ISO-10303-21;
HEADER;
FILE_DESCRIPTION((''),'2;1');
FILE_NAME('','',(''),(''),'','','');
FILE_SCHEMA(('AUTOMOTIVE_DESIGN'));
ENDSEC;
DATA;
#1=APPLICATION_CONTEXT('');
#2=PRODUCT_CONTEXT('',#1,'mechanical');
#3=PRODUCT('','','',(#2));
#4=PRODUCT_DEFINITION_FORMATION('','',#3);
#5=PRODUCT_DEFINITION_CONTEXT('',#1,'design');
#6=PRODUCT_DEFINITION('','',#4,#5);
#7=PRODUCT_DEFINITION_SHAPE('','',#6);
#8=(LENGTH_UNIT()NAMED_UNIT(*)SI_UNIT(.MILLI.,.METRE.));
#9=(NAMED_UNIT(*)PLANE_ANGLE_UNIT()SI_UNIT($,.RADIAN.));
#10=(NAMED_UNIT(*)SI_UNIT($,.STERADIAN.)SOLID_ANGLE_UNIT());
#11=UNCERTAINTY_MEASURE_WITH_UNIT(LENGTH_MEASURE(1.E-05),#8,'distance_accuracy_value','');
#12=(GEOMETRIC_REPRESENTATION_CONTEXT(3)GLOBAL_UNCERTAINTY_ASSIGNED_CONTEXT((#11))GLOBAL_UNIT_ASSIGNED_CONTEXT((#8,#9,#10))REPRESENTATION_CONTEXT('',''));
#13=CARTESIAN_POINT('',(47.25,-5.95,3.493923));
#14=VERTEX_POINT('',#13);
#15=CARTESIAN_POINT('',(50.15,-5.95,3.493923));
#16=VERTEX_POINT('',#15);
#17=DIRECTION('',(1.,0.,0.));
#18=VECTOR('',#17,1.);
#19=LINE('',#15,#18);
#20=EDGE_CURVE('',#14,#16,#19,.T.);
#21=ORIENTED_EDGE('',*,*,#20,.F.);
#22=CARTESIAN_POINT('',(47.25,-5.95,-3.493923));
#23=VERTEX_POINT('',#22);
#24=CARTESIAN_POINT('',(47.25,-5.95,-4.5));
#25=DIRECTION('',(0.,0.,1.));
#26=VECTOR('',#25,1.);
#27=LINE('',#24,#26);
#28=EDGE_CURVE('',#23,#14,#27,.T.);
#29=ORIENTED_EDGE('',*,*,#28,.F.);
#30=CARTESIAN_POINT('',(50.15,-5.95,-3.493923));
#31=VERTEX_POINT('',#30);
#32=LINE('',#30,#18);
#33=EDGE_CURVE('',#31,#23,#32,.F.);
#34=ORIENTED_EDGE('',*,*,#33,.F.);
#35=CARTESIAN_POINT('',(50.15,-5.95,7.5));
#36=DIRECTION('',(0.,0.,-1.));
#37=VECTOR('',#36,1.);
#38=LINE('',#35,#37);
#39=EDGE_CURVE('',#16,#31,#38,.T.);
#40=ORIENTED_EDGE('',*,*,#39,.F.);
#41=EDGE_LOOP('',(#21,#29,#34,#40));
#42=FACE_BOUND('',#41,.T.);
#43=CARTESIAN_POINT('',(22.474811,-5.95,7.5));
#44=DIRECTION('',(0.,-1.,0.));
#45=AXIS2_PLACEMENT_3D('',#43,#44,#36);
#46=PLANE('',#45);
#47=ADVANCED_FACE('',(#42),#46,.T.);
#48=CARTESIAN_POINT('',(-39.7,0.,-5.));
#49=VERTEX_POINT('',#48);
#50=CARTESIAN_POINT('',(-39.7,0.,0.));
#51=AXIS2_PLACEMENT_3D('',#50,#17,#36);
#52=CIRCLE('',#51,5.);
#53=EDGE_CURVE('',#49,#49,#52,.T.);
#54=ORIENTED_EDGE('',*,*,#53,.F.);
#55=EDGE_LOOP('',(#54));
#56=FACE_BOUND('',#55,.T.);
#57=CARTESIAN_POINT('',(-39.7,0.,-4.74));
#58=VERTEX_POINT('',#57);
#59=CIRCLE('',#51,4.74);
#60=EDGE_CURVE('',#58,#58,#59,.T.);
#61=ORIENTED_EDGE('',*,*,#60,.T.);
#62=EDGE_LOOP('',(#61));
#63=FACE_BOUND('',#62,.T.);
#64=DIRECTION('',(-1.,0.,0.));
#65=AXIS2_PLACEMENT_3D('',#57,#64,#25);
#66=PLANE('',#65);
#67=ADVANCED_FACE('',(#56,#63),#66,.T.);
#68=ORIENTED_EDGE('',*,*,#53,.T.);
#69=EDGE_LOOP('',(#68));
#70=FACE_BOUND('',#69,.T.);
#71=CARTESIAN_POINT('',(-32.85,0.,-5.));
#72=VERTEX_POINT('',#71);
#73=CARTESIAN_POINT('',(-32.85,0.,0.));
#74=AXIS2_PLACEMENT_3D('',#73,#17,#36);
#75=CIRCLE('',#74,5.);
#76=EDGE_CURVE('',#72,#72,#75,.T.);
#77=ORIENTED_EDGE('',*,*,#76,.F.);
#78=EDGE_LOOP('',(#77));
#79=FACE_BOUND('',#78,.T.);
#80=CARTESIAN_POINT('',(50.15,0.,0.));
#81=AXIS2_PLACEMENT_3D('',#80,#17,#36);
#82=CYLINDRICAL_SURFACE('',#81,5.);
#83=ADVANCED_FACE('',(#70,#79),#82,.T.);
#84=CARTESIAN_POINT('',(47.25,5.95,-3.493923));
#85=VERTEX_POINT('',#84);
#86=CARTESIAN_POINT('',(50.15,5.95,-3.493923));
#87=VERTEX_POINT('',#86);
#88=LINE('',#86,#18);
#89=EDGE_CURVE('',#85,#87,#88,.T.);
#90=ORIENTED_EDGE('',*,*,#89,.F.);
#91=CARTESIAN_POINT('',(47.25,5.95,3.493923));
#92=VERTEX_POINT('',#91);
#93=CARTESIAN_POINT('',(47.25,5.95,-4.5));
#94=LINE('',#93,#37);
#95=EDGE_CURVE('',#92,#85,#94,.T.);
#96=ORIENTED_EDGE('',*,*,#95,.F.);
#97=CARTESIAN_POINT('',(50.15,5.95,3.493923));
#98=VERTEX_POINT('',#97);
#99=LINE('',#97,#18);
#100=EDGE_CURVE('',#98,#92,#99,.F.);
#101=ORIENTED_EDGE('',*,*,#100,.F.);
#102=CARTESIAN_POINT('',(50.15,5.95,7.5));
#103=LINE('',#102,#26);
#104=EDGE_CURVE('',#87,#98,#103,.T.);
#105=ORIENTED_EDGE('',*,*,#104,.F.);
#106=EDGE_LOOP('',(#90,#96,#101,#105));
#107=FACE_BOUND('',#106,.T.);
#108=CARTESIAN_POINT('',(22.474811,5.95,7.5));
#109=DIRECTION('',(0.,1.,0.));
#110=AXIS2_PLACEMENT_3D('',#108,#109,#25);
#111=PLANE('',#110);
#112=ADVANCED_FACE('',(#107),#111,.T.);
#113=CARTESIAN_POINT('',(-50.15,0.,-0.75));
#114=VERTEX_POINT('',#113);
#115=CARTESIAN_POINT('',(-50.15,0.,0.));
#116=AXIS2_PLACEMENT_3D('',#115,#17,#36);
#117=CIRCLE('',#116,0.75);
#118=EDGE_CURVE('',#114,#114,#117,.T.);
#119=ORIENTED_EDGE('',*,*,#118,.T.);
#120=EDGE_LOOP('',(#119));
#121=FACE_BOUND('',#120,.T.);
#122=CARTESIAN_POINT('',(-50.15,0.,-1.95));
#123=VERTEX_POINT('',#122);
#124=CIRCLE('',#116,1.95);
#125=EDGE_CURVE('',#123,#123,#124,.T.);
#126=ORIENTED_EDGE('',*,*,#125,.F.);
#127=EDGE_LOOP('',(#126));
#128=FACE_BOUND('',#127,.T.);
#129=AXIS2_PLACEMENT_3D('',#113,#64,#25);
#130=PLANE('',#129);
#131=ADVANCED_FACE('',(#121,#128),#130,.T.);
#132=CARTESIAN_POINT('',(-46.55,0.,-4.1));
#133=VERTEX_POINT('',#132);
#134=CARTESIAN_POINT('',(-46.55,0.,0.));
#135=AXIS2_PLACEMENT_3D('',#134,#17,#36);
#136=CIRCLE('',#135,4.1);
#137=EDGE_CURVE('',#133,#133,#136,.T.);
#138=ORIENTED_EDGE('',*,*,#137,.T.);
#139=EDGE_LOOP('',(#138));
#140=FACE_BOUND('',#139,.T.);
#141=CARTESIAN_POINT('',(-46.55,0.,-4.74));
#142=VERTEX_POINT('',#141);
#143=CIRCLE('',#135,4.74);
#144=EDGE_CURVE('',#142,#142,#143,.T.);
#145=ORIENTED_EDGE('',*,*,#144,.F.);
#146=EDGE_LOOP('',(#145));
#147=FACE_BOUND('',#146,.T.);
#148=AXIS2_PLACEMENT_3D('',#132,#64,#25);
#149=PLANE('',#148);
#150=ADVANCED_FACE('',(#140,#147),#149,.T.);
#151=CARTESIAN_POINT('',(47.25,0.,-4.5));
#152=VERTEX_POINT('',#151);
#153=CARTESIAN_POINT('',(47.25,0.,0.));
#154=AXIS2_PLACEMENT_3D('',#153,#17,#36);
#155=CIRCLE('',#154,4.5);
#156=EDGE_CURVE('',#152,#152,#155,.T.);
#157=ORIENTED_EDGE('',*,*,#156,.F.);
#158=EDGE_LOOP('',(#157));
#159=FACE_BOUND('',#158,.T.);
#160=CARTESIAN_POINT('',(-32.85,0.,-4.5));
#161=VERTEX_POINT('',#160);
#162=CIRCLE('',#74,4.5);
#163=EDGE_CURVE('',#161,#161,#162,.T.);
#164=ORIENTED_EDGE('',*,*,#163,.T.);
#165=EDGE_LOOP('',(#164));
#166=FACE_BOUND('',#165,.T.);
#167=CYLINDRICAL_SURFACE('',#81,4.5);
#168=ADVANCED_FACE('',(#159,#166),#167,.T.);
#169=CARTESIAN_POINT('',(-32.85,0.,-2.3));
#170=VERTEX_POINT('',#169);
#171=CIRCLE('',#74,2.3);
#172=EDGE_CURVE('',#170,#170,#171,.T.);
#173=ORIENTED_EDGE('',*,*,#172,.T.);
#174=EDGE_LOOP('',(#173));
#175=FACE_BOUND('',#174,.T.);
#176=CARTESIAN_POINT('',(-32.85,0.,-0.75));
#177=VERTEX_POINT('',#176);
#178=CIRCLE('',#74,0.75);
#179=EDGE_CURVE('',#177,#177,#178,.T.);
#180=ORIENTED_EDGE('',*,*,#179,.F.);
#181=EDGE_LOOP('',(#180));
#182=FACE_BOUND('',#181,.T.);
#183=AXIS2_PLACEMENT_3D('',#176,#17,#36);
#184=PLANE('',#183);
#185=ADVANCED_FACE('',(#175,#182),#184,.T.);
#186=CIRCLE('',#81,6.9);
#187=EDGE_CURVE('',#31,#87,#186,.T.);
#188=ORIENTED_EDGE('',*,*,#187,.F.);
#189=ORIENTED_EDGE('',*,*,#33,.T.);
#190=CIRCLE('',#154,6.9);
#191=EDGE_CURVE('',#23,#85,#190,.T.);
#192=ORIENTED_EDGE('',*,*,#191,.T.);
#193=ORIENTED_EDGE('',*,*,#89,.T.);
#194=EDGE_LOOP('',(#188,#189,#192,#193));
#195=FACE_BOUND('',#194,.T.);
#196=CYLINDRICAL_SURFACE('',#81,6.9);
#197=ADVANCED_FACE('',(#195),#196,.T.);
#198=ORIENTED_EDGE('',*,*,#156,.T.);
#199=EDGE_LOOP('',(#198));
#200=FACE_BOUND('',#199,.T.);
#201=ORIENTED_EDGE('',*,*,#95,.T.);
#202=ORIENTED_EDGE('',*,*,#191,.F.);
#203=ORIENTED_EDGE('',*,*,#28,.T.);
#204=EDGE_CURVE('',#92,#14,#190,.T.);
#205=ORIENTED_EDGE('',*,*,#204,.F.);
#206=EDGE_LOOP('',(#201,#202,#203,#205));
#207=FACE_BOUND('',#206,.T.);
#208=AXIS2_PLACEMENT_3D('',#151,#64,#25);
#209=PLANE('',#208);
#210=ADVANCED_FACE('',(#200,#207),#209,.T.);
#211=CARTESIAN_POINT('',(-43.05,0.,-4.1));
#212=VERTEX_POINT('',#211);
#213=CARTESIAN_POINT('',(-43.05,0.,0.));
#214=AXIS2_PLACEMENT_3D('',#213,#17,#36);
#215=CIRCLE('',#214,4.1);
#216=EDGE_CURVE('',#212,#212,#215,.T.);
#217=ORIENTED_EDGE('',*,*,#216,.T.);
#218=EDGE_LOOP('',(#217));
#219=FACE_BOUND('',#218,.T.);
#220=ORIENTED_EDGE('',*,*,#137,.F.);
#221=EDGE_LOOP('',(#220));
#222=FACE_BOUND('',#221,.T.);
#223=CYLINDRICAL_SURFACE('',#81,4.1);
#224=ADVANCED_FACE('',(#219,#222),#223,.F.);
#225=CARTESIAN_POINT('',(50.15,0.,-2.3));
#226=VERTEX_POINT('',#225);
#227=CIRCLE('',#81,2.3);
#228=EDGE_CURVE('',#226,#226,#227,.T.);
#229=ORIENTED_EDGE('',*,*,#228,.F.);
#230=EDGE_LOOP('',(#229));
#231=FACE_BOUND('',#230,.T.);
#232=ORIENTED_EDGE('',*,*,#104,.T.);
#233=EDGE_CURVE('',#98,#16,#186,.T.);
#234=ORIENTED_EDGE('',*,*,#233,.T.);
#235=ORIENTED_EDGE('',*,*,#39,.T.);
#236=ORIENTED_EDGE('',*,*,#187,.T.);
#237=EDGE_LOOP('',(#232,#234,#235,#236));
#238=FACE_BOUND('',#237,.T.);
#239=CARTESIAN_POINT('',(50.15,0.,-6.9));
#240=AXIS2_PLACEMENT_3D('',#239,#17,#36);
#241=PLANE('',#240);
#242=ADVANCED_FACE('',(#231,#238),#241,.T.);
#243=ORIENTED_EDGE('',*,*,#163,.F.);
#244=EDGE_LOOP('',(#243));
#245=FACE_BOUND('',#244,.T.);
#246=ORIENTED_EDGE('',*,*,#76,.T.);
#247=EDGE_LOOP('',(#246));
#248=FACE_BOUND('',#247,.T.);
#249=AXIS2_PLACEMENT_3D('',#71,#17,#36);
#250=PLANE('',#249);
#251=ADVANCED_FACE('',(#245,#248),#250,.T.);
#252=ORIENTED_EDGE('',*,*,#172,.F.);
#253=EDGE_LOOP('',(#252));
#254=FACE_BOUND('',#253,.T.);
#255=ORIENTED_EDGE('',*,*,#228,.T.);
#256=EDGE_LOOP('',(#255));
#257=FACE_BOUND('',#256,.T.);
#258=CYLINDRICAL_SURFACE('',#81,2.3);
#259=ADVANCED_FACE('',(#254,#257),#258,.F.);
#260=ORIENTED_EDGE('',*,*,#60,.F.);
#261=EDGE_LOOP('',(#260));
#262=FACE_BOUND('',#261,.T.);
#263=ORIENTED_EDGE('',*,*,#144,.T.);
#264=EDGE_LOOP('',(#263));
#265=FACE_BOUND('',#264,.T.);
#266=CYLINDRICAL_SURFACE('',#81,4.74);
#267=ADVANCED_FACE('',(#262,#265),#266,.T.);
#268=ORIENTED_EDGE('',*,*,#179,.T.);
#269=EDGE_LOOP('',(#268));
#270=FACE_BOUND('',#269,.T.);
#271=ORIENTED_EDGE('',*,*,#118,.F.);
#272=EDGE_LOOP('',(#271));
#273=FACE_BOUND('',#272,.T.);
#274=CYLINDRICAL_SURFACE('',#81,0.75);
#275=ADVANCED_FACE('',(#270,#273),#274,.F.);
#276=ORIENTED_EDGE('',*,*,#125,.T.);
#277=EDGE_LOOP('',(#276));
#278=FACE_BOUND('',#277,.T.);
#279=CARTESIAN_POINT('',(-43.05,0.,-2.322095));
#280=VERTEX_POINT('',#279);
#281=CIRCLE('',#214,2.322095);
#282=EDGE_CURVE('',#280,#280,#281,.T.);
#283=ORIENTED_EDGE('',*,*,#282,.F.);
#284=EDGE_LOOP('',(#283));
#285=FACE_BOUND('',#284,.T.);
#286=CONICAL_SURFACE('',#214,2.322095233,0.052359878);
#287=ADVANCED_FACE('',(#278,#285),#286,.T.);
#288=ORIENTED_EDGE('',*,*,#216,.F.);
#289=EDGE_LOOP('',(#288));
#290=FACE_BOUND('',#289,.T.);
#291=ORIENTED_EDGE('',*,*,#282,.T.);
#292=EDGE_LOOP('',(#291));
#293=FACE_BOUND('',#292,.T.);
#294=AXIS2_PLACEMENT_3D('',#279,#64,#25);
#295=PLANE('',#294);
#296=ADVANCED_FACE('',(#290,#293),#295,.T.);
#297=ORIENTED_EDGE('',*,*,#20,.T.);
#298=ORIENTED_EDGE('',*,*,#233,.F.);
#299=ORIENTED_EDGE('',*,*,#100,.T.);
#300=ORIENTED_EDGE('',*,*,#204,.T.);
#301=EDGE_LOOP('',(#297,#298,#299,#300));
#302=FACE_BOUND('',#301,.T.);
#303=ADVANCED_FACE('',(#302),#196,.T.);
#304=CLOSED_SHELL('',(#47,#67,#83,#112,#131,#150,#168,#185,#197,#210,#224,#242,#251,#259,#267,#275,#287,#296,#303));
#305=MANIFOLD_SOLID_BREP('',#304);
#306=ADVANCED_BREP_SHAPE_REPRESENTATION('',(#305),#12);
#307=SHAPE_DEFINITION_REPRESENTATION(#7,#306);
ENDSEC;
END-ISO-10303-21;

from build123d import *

# Parameters (mm, degrees)
SKETCH2_W          = 19
SKETCH2_H          = 15.9
SKETCH2_W_2        = 15
SKETCH2_H_2        = 11.9
CUT_EXTRUDE1_DEPTH = 2.9


with BuildPart() as part:
    # Sketch1 → Revolve1 (revolve)
    with BuildSketch(Plane(origin=(0, 0, 0), x_dir=(1, 0, 0), z_dir=(0, 1, 0))):
        Polygon((-50.15, 0.75), (-50.15, 1.95), (-43.05, 2.322095233), (-43.05, 4.1), (-46.55, 4.1), (-46.55, 4.74), (-39.7, 4.74), (-39.7, 5), (-32.85, 5), (-32.85, 4.5), (47.25, 4.5), (47.25, 6.9), (50.15, 6.9), (50.15, 2.3), (-32.85, 2.3), (-32.85, 0.75), align=None)
    revolve(axis=Axis((50.15, 0, 0), (-1, 0, 0)))

    # Sketch2 → Cut-Extrude1 (cut)
    with BuildSketch(Plane(origin=(50.15, 0, 0), x_dir=(0, 0, -1), z_dir=(1, 0, 0))):
        Rectangle(SKETCH2_W, SKETCH2_H)
        Rectangle(SKETCH2_W_2, SKETCH2_H_2, mode=Mode.SUBTRACT)
    extrude(amount=-CUT_EXTRUDE1_DEPTH, mode=Mode.SUBTRACT)


solid = part.part
